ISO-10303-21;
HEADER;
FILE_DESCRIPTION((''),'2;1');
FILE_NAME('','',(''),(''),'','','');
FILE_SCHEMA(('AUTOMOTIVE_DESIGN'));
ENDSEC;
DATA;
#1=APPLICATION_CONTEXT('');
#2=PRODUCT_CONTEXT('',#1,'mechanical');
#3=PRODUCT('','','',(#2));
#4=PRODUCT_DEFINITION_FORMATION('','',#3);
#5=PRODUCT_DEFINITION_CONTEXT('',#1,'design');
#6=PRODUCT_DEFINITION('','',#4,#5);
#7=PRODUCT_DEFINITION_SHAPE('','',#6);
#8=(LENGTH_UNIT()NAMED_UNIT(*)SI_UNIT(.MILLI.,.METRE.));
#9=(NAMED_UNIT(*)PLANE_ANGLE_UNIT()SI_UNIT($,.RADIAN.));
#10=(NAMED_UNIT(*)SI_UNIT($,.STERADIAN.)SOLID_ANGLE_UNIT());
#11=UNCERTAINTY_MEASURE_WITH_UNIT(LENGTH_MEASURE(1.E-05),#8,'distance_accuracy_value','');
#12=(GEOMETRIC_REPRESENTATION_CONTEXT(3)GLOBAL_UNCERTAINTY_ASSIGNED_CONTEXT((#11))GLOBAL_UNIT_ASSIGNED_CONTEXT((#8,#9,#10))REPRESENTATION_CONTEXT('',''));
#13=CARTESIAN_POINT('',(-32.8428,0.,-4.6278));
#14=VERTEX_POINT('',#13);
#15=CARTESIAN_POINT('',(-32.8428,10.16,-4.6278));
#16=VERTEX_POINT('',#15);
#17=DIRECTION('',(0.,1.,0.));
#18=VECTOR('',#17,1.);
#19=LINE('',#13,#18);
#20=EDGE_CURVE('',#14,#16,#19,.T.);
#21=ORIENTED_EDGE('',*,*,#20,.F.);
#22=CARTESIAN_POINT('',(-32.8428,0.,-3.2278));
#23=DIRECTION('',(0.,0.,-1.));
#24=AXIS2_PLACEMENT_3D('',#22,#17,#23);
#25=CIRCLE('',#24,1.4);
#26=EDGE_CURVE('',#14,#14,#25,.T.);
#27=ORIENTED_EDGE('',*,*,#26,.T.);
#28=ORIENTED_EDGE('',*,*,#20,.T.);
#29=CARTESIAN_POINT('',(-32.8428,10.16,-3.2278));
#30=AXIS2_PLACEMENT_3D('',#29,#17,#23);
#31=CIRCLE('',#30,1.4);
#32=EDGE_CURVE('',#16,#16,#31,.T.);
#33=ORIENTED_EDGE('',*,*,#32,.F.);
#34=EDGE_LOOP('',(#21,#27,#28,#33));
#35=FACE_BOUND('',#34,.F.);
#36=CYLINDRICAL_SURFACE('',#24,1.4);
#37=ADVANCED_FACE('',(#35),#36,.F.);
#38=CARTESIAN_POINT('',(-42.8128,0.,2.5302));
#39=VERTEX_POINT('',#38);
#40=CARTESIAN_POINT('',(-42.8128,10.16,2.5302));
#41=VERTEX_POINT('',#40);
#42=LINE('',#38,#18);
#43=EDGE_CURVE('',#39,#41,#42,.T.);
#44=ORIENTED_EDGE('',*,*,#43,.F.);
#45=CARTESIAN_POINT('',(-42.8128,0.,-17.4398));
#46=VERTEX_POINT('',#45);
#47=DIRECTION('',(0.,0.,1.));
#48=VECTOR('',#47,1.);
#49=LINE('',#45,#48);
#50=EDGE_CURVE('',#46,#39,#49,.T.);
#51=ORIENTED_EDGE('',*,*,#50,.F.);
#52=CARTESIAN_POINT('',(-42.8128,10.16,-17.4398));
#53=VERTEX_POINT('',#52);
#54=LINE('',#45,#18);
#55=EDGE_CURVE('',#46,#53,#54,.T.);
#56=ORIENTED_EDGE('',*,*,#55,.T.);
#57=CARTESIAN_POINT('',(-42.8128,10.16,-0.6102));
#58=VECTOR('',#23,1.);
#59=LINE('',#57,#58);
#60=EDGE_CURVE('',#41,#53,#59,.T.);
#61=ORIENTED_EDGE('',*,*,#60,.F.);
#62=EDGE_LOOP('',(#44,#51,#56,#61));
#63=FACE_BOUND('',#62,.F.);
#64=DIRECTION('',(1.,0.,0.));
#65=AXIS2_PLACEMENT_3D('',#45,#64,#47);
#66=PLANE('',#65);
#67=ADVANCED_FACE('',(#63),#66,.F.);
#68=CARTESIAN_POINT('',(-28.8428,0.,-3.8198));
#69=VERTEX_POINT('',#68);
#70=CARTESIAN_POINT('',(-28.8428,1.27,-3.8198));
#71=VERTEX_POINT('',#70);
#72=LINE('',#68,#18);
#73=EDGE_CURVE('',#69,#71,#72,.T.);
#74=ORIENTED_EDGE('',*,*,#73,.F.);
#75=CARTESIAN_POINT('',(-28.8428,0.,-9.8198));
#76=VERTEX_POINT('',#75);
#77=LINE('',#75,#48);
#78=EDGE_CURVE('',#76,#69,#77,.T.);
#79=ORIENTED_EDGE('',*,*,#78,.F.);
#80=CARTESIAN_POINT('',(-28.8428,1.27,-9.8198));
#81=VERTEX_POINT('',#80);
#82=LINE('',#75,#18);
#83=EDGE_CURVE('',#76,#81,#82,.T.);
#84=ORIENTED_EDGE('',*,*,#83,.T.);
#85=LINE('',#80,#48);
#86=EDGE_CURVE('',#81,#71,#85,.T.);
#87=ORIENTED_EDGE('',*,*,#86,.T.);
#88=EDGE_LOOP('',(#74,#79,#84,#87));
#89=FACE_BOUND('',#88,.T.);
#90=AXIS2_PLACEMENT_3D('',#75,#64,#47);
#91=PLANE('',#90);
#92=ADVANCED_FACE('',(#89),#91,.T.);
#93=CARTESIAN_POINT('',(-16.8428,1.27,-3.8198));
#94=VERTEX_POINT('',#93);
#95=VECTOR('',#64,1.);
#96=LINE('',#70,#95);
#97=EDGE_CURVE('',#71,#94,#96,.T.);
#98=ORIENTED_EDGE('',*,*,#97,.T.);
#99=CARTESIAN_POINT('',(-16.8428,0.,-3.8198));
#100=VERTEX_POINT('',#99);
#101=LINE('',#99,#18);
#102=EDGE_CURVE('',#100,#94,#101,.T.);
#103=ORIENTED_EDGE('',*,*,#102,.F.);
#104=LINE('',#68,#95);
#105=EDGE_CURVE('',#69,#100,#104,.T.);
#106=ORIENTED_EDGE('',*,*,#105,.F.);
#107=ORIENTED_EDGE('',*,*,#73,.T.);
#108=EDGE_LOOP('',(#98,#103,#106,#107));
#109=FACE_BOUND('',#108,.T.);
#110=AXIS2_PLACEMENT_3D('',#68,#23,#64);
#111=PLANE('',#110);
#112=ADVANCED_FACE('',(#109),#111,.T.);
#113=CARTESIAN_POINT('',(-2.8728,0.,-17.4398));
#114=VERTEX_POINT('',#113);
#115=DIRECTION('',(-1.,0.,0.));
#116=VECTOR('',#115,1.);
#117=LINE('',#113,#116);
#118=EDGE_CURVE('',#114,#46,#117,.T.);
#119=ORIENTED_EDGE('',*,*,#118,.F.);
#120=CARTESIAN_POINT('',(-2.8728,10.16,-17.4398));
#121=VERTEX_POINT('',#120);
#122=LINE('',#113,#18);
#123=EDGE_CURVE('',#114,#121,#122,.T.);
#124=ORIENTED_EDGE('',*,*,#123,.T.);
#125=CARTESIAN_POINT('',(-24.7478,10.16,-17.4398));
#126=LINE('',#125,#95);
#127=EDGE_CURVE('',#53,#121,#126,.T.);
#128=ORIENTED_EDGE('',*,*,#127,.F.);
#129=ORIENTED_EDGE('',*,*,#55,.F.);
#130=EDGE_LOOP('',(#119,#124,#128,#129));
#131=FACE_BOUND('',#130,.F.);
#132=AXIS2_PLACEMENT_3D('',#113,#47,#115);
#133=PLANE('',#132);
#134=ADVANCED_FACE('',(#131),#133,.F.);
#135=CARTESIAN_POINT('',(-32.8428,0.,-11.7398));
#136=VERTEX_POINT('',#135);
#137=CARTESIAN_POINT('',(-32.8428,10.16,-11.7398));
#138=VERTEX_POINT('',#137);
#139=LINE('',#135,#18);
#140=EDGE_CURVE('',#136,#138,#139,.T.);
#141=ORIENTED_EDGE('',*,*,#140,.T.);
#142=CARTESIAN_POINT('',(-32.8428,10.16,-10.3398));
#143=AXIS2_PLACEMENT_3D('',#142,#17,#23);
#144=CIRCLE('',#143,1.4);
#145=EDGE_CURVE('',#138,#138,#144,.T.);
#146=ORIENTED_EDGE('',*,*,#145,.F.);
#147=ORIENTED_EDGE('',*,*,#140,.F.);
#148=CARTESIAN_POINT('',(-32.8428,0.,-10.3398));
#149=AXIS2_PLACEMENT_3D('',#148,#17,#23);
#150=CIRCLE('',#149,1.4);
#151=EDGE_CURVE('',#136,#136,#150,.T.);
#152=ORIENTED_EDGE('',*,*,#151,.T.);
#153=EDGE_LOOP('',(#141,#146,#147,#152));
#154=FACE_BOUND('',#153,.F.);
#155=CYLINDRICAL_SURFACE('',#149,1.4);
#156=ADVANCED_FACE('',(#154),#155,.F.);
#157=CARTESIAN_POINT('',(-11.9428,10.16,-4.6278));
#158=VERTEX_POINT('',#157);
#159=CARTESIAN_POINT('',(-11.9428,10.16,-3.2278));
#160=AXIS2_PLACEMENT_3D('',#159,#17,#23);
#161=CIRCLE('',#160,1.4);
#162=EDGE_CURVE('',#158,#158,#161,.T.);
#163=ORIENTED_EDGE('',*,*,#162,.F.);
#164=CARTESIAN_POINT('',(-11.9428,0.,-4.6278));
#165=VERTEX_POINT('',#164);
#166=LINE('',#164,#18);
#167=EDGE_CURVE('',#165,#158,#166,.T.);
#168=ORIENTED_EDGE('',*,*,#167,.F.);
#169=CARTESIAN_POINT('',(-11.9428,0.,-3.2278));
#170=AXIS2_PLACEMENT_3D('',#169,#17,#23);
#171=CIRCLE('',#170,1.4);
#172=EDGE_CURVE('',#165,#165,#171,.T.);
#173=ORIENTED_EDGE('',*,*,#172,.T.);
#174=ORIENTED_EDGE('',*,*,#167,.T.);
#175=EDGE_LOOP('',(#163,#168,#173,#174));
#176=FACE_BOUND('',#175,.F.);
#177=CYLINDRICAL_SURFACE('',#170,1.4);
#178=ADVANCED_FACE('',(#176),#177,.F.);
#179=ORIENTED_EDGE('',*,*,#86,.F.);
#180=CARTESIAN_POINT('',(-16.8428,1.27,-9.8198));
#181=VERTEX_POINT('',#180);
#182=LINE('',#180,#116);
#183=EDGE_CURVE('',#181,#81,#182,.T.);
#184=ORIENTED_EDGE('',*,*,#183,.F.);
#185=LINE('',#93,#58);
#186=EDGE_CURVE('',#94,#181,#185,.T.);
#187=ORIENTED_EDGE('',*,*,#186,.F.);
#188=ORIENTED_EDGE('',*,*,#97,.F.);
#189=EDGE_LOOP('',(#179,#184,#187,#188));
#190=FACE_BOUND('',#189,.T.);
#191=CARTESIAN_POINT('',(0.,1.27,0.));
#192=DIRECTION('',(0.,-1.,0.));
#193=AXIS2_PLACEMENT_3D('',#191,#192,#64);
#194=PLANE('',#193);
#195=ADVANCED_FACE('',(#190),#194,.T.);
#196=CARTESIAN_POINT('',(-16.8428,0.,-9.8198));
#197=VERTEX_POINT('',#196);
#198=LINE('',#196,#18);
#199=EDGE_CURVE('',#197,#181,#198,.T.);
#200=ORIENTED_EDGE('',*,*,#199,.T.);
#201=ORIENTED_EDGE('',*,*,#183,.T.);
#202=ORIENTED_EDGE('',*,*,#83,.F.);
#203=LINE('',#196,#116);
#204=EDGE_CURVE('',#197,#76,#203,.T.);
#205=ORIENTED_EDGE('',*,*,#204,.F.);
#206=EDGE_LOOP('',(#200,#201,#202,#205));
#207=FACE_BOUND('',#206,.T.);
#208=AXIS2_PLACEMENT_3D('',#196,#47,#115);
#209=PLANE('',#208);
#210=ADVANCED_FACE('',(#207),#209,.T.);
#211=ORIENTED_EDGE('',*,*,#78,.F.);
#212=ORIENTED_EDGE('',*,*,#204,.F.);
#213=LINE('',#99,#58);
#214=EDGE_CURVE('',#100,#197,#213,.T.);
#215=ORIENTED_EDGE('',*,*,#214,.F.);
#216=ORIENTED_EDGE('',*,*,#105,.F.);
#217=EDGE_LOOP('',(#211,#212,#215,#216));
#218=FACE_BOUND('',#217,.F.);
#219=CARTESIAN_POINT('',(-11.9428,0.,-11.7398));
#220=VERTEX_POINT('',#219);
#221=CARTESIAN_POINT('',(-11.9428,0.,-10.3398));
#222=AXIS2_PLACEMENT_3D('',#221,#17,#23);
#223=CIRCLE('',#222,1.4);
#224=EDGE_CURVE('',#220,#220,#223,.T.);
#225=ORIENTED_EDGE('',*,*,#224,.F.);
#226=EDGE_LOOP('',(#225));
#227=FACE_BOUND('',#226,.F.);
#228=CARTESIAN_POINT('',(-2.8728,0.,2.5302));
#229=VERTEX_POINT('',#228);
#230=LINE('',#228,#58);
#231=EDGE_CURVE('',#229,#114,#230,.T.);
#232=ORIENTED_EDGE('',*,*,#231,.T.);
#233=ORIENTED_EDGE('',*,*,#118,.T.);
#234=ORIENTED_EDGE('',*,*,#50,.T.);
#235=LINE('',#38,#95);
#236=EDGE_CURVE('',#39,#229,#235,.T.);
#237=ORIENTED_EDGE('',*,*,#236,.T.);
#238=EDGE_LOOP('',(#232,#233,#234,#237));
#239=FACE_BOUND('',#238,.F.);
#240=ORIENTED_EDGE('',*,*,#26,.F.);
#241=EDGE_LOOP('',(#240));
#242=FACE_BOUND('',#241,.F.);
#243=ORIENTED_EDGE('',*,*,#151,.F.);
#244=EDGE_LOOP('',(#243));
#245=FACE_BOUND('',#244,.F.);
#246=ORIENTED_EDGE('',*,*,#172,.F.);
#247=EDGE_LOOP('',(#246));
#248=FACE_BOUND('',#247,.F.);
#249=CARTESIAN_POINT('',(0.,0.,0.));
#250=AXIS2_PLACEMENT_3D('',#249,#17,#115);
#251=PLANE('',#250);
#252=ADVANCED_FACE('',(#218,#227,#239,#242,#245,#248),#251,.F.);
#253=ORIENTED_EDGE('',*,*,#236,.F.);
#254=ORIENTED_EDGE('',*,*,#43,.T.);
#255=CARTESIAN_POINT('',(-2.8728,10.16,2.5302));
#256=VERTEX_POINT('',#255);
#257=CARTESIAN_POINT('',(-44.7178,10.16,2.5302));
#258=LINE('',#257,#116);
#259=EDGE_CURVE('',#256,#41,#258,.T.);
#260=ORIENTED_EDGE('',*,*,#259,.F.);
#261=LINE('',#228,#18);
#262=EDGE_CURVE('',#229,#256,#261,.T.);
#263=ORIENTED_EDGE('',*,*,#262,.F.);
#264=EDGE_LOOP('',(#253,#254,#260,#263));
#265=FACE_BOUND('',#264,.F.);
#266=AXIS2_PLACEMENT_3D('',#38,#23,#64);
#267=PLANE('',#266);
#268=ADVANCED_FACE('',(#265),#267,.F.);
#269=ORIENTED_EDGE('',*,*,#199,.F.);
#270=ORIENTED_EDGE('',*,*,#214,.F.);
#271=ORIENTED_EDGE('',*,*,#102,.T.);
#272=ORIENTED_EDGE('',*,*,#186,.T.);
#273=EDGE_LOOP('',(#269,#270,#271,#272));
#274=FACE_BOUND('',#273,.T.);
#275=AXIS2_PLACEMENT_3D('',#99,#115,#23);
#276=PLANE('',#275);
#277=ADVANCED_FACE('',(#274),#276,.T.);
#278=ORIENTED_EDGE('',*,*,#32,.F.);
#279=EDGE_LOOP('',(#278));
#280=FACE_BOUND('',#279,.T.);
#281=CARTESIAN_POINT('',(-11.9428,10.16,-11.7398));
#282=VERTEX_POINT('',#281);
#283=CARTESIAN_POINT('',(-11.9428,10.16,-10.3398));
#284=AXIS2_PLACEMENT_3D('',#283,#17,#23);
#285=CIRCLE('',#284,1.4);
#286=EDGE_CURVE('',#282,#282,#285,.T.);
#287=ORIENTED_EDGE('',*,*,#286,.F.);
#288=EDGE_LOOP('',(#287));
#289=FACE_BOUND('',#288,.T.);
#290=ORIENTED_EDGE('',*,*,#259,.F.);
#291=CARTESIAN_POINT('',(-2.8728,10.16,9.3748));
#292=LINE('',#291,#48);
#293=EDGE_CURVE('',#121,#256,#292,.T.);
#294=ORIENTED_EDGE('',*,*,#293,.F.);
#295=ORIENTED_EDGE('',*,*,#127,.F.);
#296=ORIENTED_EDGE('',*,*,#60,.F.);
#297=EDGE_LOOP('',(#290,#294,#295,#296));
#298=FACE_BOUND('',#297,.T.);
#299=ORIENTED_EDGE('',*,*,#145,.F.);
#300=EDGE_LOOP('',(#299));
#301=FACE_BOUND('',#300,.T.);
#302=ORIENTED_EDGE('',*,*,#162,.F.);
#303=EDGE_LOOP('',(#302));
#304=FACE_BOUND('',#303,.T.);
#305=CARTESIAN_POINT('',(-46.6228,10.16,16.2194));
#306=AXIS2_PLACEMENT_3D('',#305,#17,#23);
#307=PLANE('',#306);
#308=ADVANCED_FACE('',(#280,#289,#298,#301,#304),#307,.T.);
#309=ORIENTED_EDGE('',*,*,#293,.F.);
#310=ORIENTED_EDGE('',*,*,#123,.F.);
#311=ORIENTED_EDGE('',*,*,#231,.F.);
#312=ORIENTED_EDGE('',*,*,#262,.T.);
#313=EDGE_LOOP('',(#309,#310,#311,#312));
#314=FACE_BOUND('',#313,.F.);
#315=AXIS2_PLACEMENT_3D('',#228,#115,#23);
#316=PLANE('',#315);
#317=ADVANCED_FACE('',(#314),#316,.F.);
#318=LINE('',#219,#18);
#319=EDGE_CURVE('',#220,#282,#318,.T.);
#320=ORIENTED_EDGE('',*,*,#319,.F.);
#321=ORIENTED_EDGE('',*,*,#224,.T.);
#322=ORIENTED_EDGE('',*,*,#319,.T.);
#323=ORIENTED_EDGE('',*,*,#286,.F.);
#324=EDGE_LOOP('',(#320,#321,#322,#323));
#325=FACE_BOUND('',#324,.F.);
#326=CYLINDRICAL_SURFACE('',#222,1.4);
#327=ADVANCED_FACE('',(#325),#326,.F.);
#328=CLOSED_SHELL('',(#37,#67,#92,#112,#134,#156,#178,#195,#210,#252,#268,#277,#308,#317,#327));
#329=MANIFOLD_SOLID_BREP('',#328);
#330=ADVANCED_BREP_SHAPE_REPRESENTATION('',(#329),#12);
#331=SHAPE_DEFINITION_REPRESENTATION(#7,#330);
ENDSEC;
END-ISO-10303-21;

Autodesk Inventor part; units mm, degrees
ref_plane "YZ Plane" through (0, 0, 0) normal (1, 0, 0) x (0, 1, 0)
ref_plane "XZ Plane" through (0, 0, 0) normal (0, 1, 0) x (-1, 0, 0)
ref_plane "XY Plane" through (0, 0, 0) normal (0, 0, 1) x (1, 0, 0)
sketch "Sketch1" plane through (0, 0, 0) normal (0, 1, 0) x (-1, 0, 0)
  line L0 (46.6228, 34.6302) -> (-74.0272, 34.6302)
  line L1 (-74.0272, 34.6302) -> (-74.0272, -54.2698)
  line L2 (-74.0272, -54.2698) -> (46.6228, -54.2698)
  line L3 (46.6228, -54.2698) -> (46.6228, 34.6302)
  point P0 (0, 0)
  dimension "d0" = 120.65
  dimension "d1" = 88.9
extrude "Extrusion1" add sketch "Sketch1" along normal blind 12.7
sketch "Sketch2" plane through (0, 12.7, 0) normal (0, 1, 0) x (1, 0, 0)
  line L0 (-46.6228, -34.6302) -> (74.0272, -34.6302) projected
  line L1 (-46.6228, 54.2698) -> (-46.6228, -34.6302) projected
  point P0 (0, 0)
  point P1 (6.7172, -29.5502)
  point P2 (51.1672, -29.5502)
  dimension "d4" = 0
  dimension "d5" = 5.08
  dimension "d6" = 53.34
  dimension "d7" = 44.45
hole "Hole1" at (6.7172, 12.7, 29.5502) at (51.1672, 12.7, 29.5502) direction (0, -1, 0) diameter 4.826 depth 25.4 tip angle 118 countersink diameter 9.525 countersink angle 82
sketch "Sketch10" plane through (0, 12.7, 0) normal (0, 1, 0) x (1, 0, 0)
  circle A0 centre (51.1672, -29.5502) radius 2.413 projected
  circle A1 centre (6.7172, -29.5502) radius 2.413 projected
  line L0 (74.0272, 54.2698) -> (-46.6228, 54.2698) projected
  point P0 (0, 0)
  point P1 (6.7172, 14.2648)
  point P2 (51.1672, 14.2648)
  point P3 (66.6772, 28.8698)
  point P4 (-45.6228, 28.8698)
  point P5 (-46.6228, 54.2698)
  dimension "d80" = 0
  dimension "d81" = 0
  dimension "d82" = 0
  dimension "d144" = 43.815
hole "Hole7" at (6.7172, 12.7, -14.2648) at (51.1672, 12.7, -14.2648) direction (0, -1, 0) diameter 4.826 end through all countersink diameter 9.525 countersink angle 82
sketch "Sketch11" plane through (0, 0, 0) normal (0, -1, 0) x (1, 0, 0)
  line L0 (-28.8428, 29.2002) -> (-16.8428, 29.2002)
  line L1 (-16.8428, 29.2002) -> (-16.8428, 23.2002)
  line L2 (-16.8428, 23.2002) -> (-28.8428, 23.2002)
  line L3 (-28.8428, 23.2002) -> (-28.8428, 29.2002)
  line L4 (-28.8428, -3.8198) -> (-16.8428, -3.8198)
  line L5 (-16.8428, -3.8198) -> (-16.8428, -9.8198)
  line L6 (-16.8428, -9.8198) -> (-28.8428, -9.8198)
  line L7 (-28.8428, -9.8198) -> (-28.8428, -3.8198)
  line L8 (-28.8428, 23.5502) -> (-28.8428, 29.5502) projected
  line L9 (-16.8428, 29.5502) -> (-16.8428, 23.5502) projected
  line L10 (74.0272, -54.2698) -> (-46.6228, -54.2698) projected
  point P0 (0, 0)
  dimension "d93" = 0
  dimension "d94" = 0
  dimension "d95" = 0
  dimension "d96" = 0
  dimension "d97" = 6
  dimension "d98" = 6
  dimension "d99" = 44.45
  dimension "d100" = 77.47
extrude "Extrusion4" cut sketch "Sketch11" against normal blind 1.27
sketch "Sketch13" plane through (0, 0, 0) normal (0, -1, 0) x (1, 0, 0)
  circle A0 centre (-32.8428, -42.0898) radius 1.4 projected
  circle A1 centre (-32.8428, -49.1898) radius 1.4 projected
  line L0 (-46.6228, 34.6302) -> (74.0272, 34.6302) projected
  circle A2 centre (-11.9428, -42.0898) radius 1.4 projected
  point P0 (0, 0)
  point P1 (-32.8428, -10.3398)
  point P2 (-32.8428, -3.2278)
  point P3 (-32.8428, 22.9462)
  point P4 (-32.8428, 30.0582)
  point P5 (-39.7887, 34.6302)
  point P6 (67.4471, 34.6302)
  point P7 (-11.9428, -10.3398)
  point P8 (-11.9428, -3.2278)
  point P9 (-11.9428, 22.9462)
  point P10 (-11.9428, 30.0582)
  dimension "d110" = 0
  dimension "d111" = 0
  dimension "d112" = 0
  dimension "d113" = 7.112
  dimension "d114" = 7.112
  dimension "d115" = 31.75
  dimension "d116" = 4.572
  dimension "d117" = 0
  dimension "d118" = 0
  dimension "d119" = 0
  dimension "d120" = 0
  dimension "d121" = 0
  dimension "d122" = 0
  dimension "d123" = 0
  dimension "d124" = 0
hole "Hole9" at (-32.8428, 0, -10.3398) at (-32.8428, 0, -3.2278) at (-32.8428, 0, 22.9462) at (-32.8428, 0, 30.0582) at (-11.9428, 0, -10.3398) at (-11.9428, 0, -3.2278) at (-11.9428, 0, 22.9462) at (-11.9428, 0, 30.0582) direction (0, 1, 0) diameter 2.8 end through all
sketch "Sketch15" plane through (0, 12.7, 0) normal (0, 1, 0) x (1, 0, 0)
  circle A0 centre (6.7172, 14.2648) radius 2.413 projected
  circle A1 centre (51.1672, 14.2648) radius 2.413 projected
  circle A2 centre (6.7172, -29.5502) radius 2.413 projected
  circle A3 centre (51.1672, -29.5502) radius 2.413 projected
  circle A4 centre (6.7172, 14.2648) radius 3.3734
  circle A5 centre (6.7172, -29.5502) radius 3.3734
  circle A6 centre (51.1672, -29.5502) radius 3.3734
  circle A7 centre (51.1672, 14.2648) radius 3.3734
  point P0 (0, 0)
  dimension "d138" = 6.7469
  dimension "d139" = 6.7469
  dimension "d140" = 6.7469
  dimension "d141" = 6.7469
extrude "Extrusion6" cut sketch "Sketch15" against normal blind 8.89
sketch "Sketch16" plane through (0, 0, 0) normal (0, -1, 0) x (1, 0, 0)
  line L0 (-64.483, -21.2498) -> (91.0848, -21.2498)
  line L1 (91.0848, -21.2498) -> (91.0848, -72.9236)
  line L2 (91.0848, -72.9236) -> (-64.483, -72.9236)
  line L3 (-64.483, -72.9236) -> (-64.483, -21.2498)
  line L4 (74.0272, -54.2698) -> (-46.6228, -54.2698) projected
  point P0 (0, 0)
  dimension "d145" = 33.02
extrude "Extrusion7" cut sketch "Sketch16" against normal blind 25.4
sketch "Sketch17" plane through (0, 12.7, 0) normal (0, 1, 0) x (1, 0, 0)
  line L0 (0.9372, 34.8895) -> (84.6395, 34.8895)
  line L1 (84.6395, 34.8895) -> (84.6395, -45.0892)
  line L2 (84.6395, -45.0892) -> (0.9372, -45.0892)
  line L3 (-16.8428, 3.8198) -> (-16.8428, 9.8198) projected
  line L4 (-46.6228, 21.2498) -> (-46.6228, -34.6302) projected
  line L5 (-28.8428, 9.8198) -> (-28.8428, 3.8198) projected
  line L6 (74.0272, 21.2498) -> (-46.6228, 21.2498) projected
  line L7 (-16.8428, 9.8198) -> (-28.8428, 9.8198) projected
  line L8 (-60.5333, -6.3402) -> (0.9372, -6.3402)
  line L9 (0.9372, -39.753) -> (-60.5333, -39.753)
  line L10 (-60.5333, -39.753) -> (-60.5333, -6.3402)
  line L11 (0.9372, -45.0892) -> (0.9372, -39.753)
  line L12 (0.9372, -6.3402) -> (0.9372, 34.8895)
  line L13 (-28.8428, 3.8198) -> (-16.8428, 3.8198) projected
  point P0 (0, 0)
  dimension "d149" = 17.78
  dimension "d150" = 11.43
  dimension "d151" = 10.16
extrude "Extrusion8" cut sketch "Sketch17" against normal blind 25.4 contours L0 L1 L2 L11 L9 L10 L8 L12
sketch "Sketch18" plane through (-46.6228, 0, -21.2498) normal (-1, 0, 0) x (0, 0, 1)
  line L0 (37.4692, 10.16) -> (-18.1099, 10.16)
  line L1 (-18.1099, 10.16) -> (-18.1099, 19.4846)
  line L2 (-18.1099, 19.4846) -> (37.4692, 19.4846)
  line L3 (37.4692, 19.4846) -> (37.4692, 10.16)
  line L4 (0, 12.7) -> (27.59, 12.7) projected
  point P0 (21.2498, 0)
  dimension "d154" = 2.54
extrude "Extrusion9" cut sketch "Sketch18" against normal blind 55.5625
sketch "Sketch19" plane through (0, 0, 0) normal (0, -1, 0) x (1, 0, 0)
  circle A0 centre (-11.9428, -10.3398) radius 1.4 projected
  circle A1 centre (-32.8428, -10.3398) radius 1.4 projected
  circle A2 centre (-32.8428, -3.2278) radius 1.4 projected
  circle A3 centre (-11.9428, -3.2278) radius 1.4 projected
  line L0 (-28.8428, -9.8198) -> (-28.8428, -3.8198) projected
  line L1 (-28.8428, -3.8198) -> (-16.8428, -3.8198) projected
  line L2 (-16.8428, -3.8198) -> (-16.8428, -9.8198) projected
  line L3 (-16.8428, -9.8198) -> (-28.8428, -9.8198) projected
  line L4 (0.9372, -21.2498) -> (0.9372, 6.3402) projected
  line L5 (0.9372, 6.3402) -> (-46.6228, 6.3402) projected
  line L6 (-46.6228, -21.2498) -> (-46.6228, 6.3402) projected
  line L7 (-46.6228, -21.2498) -> (0.9372, -21.2498) projected
  line L8 (0.9372, -21.2498) -> (0.9372, 6.3402) projected
  line L9 (-46.6228, -21.2498) -> (0.9372, -21.2498) projected
  line L10 (-46.6228, -21.2498) -> (-46.6228, 6.3402) projected
  line L11 (-42.8128, 2.5302) -> (-2.8728, 2.5302)
  line L12 (-2.8728, 2.5302) -> (-2.8728, -17.4398)
  line L13 (-2.8728, -17.4398) -> (-42.8128, -17.4398)
  line L14 (-42.8128, -17.4398) -> (-42.8128, 2.5302)
  point P0 (0, 0)
  dimension "d157" = 3.81
  dimension "d158" = 3.81
  dimension "d159" = 3.81
  dimension "d160" = 3.81
extrude "Extrusion10" cut sketch "Sketch19" against normal blind 55.5625 contours L7 L6 L5 L4
equation "\"d125\" = CanConHoleDiam"
equation "\"LegoMainHole\" = 4.8"
equation "\"TalonSRXWidth\" = 31.75"
equation "\"TalonSRXFromSide\" = 15.875"
equation "\"TalonSRXBetweenHoles\" = 50.8"
equation "\"CanConPinWidth\" = 6"
equation "\"CanConPinLength\" = 12"
equation "\"CanConBetweenSideHoles\" = 20.9"
equation "\"CanConBetweenTopHoles\" = 7.1"
equation "\"CanConHoleDiam\" = 2.8"
equation "\"CanConHoleFromTopPin\" = 4"
properties part number "CANConnectorOne"
